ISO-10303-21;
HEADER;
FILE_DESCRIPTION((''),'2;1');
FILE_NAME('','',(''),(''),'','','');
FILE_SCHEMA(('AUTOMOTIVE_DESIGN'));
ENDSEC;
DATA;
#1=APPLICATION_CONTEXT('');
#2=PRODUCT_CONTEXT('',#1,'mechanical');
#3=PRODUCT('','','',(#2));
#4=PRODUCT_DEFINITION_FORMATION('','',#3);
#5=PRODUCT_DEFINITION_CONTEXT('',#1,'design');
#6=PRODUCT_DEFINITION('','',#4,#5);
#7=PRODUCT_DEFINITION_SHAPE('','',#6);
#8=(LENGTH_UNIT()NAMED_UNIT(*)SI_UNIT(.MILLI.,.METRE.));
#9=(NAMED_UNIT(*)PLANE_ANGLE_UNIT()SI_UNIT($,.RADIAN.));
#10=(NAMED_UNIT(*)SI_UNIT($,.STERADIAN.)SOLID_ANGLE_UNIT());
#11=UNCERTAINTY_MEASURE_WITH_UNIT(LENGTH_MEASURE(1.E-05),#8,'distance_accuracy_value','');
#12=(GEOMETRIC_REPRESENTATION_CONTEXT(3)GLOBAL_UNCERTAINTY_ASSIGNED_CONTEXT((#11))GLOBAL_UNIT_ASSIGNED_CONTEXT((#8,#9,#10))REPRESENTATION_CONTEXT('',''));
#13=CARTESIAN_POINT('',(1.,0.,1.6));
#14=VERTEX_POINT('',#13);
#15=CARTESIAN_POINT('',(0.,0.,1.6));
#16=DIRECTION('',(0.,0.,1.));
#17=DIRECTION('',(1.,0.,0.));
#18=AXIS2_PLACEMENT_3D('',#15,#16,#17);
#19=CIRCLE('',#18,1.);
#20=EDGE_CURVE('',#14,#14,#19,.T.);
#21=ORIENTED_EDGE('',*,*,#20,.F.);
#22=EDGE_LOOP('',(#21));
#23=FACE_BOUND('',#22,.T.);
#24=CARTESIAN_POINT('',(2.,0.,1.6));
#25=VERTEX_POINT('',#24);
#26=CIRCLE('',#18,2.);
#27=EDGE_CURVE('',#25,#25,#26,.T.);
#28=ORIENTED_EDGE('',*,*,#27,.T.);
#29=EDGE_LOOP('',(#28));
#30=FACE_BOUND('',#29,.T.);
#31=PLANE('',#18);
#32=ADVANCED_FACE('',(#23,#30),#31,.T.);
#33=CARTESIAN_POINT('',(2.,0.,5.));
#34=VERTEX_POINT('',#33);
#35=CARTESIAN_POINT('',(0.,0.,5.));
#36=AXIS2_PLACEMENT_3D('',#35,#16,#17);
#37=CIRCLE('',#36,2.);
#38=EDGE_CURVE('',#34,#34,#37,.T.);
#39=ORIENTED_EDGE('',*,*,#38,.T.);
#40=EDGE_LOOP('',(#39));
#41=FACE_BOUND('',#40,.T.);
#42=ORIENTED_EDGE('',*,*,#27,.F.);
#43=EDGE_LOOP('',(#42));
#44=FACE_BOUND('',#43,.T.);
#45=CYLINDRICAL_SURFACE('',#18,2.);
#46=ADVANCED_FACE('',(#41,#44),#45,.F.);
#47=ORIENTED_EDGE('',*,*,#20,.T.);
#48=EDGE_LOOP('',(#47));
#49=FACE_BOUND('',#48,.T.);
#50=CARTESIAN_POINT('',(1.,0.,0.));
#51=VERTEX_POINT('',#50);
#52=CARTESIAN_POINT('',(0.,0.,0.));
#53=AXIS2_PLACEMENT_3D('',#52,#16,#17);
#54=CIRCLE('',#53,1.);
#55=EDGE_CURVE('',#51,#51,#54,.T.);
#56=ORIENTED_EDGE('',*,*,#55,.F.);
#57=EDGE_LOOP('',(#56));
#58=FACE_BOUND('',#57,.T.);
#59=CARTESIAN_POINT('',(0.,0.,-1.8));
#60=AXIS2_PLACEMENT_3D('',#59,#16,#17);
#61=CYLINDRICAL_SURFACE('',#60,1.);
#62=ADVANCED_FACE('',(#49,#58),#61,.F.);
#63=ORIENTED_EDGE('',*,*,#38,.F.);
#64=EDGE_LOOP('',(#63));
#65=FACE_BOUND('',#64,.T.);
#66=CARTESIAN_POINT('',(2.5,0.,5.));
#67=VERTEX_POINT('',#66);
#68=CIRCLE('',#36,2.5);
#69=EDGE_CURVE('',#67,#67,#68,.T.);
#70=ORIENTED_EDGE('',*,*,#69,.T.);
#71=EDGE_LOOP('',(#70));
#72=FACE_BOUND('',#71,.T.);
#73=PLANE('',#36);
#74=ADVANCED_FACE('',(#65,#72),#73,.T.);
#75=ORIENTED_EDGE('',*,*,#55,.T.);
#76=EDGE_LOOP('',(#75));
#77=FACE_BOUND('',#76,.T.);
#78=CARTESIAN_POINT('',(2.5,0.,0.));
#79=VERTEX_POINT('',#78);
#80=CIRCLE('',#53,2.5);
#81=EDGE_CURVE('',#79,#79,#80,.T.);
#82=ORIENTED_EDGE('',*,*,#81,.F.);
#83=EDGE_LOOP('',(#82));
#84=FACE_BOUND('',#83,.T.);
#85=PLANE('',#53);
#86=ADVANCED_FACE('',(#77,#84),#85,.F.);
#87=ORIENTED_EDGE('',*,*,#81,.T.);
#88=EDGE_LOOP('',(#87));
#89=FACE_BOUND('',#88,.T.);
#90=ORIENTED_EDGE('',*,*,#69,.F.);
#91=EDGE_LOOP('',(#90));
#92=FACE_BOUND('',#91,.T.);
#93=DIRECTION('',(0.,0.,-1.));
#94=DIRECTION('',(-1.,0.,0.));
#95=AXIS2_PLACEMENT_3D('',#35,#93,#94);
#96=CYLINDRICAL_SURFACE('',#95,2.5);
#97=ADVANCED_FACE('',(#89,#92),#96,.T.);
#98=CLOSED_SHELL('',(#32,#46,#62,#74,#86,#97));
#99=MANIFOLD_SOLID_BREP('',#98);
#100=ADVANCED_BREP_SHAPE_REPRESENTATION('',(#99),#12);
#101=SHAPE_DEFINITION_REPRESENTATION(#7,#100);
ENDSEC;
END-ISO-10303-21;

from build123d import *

# Parameters (mm, degrees)
SKETCH_1_R          = 2
SKETCH_1_R_2        = 1
EXTRUDE_1_DEPTH     = 1.6
SKETCH_2_R          = 2.5
EXTRUDE_2_DEPTH     = 5
SKETCH_3_R          = 2
CUT_EXTRUDE_1_DEPTH = 3.4
SKETCH_4_R          = 1
CUT_EXTRUDE_2_DEPTH = 3.4


with BuildPart() as part:
    # 草图1 → 凸台-拉伸1 (new body)
    with BuildSketch(Plane.XY):
        Circle(SKETCH_1_R)
        Circle(SKETCH_1_R_2, mode=Mode.SUBTRACT)
    extrude(amount=EXTRUDE_1_DEPTH)

    # 草图2 → 凸台-拉伸2 (add)
    with BuildSketch(Plane.XY):
        Circle(SKETCH_2_R)
    extrude(amount=EXTRUDE_2_DEPTH)

    # 草图3 → 切除-拉伸1 (cut)
    with BuildSketch(Plane.XY.offset(5)):
        Circle(SKETCH_3_R)
    extrude(amount=-CUT_EXTRUDE_1_DEPTH, mode=Mode.SUBTRACT)

    # 草图4 → 切除-拉伸2 (cut)
    with BuildSketch(Plane.XY.offset(1.6)):
        Circle(SKETCH_4_R)
    extrude(amount=-CUT_EXTRUDE_2_DEPTH, mode=Mode.SUBTRACT)


solid = part.part
